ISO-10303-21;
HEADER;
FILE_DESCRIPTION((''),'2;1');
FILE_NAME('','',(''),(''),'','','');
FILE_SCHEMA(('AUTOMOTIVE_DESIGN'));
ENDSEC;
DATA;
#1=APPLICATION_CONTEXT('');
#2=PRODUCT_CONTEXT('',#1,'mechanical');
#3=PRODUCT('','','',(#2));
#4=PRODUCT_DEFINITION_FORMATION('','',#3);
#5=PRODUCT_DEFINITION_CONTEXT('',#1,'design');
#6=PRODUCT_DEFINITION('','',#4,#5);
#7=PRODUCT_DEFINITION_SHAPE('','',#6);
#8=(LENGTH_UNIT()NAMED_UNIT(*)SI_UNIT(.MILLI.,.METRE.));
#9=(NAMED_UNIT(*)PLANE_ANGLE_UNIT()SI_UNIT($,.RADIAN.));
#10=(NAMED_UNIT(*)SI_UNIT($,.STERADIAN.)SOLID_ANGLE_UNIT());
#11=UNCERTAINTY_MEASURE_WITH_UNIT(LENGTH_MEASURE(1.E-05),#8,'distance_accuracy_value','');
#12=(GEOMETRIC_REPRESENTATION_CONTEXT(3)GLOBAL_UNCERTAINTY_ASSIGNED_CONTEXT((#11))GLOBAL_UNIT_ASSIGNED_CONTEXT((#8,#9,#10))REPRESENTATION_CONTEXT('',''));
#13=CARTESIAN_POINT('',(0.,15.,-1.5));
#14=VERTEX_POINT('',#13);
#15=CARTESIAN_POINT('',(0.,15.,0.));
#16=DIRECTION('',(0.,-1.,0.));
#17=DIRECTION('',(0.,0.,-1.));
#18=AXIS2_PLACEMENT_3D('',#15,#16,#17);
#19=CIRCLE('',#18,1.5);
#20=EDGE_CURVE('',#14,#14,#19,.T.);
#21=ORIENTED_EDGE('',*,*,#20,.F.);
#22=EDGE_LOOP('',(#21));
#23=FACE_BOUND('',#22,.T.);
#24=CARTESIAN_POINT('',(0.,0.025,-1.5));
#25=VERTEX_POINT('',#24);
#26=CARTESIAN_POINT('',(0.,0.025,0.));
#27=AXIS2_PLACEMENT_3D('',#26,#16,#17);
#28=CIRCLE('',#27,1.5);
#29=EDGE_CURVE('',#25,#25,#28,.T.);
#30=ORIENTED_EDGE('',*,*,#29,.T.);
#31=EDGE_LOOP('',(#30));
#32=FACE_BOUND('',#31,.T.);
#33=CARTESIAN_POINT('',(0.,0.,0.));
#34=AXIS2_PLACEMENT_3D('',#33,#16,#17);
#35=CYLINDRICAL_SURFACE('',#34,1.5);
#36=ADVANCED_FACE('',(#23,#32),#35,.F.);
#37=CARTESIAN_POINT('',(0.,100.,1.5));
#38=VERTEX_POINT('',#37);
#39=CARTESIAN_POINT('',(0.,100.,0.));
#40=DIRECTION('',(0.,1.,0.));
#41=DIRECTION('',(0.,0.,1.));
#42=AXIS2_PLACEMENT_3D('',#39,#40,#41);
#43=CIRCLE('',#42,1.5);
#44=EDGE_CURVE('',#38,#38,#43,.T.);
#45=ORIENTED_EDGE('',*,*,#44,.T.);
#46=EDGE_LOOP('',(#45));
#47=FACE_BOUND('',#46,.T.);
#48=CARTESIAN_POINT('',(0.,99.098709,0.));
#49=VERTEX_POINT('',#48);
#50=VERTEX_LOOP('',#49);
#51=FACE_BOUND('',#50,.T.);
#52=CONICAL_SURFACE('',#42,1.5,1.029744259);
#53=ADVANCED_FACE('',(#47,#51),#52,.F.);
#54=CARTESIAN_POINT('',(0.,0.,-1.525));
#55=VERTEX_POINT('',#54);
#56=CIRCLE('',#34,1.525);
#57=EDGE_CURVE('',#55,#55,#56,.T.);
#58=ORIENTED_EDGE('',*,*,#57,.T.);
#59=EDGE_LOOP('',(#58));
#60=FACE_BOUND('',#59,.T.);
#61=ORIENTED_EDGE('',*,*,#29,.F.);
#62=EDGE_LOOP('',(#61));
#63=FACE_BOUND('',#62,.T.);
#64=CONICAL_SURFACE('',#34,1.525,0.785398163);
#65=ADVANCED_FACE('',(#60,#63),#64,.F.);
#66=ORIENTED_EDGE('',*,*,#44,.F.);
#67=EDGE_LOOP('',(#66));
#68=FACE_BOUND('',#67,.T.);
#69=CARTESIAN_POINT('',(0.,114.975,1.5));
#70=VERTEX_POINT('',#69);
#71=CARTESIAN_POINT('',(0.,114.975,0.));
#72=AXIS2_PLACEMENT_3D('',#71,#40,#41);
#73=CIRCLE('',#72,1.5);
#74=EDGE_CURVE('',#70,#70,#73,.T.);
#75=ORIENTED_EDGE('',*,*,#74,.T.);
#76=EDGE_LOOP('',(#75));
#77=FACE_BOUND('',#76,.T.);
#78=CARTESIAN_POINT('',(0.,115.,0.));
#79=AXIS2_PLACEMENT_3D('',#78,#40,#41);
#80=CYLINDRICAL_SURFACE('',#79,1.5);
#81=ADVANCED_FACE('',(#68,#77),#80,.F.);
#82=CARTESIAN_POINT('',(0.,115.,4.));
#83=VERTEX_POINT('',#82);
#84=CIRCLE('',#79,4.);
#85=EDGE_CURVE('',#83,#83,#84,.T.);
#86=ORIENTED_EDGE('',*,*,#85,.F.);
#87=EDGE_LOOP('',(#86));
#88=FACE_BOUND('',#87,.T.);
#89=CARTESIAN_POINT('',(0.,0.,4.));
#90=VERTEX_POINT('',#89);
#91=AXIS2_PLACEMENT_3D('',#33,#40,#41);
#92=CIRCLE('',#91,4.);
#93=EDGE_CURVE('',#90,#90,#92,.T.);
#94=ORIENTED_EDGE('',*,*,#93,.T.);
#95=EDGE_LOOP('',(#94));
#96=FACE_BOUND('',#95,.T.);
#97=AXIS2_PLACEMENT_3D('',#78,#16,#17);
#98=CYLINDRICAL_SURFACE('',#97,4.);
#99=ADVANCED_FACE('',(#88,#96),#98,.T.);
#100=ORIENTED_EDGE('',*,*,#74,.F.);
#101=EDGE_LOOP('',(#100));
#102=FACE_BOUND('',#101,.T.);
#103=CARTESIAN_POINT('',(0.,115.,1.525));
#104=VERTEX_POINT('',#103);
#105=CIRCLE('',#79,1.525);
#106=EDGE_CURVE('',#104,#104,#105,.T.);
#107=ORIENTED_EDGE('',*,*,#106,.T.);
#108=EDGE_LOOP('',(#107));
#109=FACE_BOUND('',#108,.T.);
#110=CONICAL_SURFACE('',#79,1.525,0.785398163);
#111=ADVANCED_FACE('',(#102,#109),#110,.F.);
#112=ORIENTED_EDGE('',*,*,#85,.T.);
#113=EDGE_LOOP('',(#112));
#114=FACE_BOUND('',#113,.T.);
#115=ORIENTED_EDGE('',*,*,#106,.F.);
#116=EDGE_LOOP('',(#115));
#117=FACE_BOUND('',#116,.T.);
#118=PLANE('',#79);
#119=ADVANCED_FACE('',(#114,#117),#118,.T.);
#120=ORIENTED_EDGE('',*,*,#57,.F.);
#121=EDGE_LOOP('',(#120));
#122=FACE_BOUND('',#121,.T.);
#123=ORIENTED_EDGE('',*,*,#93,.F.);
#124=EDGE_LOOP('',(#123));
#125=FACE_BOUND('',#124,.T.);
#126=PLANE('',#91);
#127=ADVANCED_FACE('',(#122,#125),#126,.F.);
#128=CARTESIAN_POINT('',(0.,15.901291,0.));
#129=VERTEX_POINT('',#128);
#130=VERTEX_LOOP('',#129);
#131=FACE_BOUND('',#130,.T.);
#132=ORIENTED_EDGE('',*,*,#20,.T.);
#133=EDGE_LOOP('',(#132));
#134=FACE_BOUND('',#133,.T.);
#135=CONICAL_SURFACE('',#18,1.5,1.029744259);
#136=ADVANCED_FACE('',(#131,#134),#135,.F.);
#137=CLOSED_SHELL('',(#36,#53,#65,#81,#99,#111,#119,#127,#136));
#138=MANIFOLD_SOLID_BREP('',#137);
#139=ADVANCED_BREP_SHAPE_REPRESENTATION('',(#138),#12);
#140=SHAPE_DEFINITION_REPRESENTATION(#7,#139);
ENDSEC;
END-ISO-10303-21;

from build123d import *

# Parameters (mm, degrees)
SKETCH2_R           = 4
BOSS_EXTRUDE1_DEPTH = 115


with BuildPart() as part:
    # Sketch2 → Boss-Extrude1 (new body)
    with BuildSketch(Plane(origin=(0, 0, 0), x_dir=(1, 0, 0), z_dir=(0, 1, 0))):
        with Locations(Location((0, 0, 0), (0, 0, 270))):
            Circle(SKETCH2_R)
    extrude(amount=BOSS_EXTRUDE1_DEPTH)

    # Sketch5 → Ø3.0mm Dowel Hole1 (revolve, cut)
    with BuildSketch(Plane(origin=(0, 115, 0), x_dir=(0, 0, 1), z_dir=(1, 0, 0))):
        Polygon((0, 0), (0, 15.901290929), (1.5, 15), (1.5, 0.025), (1.525, 0), align=None)
    f_3_0mm_dowel_hole1 = revolve(axis=Axis((0, 121.35, 0), (0, -1, 0)), mode=Mode.SUBTRACT)

    # Mirror1: Ø3.0mm Dowel Hole1 across plane
    add(f_3_0mm_dowel_hole1.mirror(Plane.ZX.offset(57.5)), mode=Mode.SUBTRACT)


solid = part.part
